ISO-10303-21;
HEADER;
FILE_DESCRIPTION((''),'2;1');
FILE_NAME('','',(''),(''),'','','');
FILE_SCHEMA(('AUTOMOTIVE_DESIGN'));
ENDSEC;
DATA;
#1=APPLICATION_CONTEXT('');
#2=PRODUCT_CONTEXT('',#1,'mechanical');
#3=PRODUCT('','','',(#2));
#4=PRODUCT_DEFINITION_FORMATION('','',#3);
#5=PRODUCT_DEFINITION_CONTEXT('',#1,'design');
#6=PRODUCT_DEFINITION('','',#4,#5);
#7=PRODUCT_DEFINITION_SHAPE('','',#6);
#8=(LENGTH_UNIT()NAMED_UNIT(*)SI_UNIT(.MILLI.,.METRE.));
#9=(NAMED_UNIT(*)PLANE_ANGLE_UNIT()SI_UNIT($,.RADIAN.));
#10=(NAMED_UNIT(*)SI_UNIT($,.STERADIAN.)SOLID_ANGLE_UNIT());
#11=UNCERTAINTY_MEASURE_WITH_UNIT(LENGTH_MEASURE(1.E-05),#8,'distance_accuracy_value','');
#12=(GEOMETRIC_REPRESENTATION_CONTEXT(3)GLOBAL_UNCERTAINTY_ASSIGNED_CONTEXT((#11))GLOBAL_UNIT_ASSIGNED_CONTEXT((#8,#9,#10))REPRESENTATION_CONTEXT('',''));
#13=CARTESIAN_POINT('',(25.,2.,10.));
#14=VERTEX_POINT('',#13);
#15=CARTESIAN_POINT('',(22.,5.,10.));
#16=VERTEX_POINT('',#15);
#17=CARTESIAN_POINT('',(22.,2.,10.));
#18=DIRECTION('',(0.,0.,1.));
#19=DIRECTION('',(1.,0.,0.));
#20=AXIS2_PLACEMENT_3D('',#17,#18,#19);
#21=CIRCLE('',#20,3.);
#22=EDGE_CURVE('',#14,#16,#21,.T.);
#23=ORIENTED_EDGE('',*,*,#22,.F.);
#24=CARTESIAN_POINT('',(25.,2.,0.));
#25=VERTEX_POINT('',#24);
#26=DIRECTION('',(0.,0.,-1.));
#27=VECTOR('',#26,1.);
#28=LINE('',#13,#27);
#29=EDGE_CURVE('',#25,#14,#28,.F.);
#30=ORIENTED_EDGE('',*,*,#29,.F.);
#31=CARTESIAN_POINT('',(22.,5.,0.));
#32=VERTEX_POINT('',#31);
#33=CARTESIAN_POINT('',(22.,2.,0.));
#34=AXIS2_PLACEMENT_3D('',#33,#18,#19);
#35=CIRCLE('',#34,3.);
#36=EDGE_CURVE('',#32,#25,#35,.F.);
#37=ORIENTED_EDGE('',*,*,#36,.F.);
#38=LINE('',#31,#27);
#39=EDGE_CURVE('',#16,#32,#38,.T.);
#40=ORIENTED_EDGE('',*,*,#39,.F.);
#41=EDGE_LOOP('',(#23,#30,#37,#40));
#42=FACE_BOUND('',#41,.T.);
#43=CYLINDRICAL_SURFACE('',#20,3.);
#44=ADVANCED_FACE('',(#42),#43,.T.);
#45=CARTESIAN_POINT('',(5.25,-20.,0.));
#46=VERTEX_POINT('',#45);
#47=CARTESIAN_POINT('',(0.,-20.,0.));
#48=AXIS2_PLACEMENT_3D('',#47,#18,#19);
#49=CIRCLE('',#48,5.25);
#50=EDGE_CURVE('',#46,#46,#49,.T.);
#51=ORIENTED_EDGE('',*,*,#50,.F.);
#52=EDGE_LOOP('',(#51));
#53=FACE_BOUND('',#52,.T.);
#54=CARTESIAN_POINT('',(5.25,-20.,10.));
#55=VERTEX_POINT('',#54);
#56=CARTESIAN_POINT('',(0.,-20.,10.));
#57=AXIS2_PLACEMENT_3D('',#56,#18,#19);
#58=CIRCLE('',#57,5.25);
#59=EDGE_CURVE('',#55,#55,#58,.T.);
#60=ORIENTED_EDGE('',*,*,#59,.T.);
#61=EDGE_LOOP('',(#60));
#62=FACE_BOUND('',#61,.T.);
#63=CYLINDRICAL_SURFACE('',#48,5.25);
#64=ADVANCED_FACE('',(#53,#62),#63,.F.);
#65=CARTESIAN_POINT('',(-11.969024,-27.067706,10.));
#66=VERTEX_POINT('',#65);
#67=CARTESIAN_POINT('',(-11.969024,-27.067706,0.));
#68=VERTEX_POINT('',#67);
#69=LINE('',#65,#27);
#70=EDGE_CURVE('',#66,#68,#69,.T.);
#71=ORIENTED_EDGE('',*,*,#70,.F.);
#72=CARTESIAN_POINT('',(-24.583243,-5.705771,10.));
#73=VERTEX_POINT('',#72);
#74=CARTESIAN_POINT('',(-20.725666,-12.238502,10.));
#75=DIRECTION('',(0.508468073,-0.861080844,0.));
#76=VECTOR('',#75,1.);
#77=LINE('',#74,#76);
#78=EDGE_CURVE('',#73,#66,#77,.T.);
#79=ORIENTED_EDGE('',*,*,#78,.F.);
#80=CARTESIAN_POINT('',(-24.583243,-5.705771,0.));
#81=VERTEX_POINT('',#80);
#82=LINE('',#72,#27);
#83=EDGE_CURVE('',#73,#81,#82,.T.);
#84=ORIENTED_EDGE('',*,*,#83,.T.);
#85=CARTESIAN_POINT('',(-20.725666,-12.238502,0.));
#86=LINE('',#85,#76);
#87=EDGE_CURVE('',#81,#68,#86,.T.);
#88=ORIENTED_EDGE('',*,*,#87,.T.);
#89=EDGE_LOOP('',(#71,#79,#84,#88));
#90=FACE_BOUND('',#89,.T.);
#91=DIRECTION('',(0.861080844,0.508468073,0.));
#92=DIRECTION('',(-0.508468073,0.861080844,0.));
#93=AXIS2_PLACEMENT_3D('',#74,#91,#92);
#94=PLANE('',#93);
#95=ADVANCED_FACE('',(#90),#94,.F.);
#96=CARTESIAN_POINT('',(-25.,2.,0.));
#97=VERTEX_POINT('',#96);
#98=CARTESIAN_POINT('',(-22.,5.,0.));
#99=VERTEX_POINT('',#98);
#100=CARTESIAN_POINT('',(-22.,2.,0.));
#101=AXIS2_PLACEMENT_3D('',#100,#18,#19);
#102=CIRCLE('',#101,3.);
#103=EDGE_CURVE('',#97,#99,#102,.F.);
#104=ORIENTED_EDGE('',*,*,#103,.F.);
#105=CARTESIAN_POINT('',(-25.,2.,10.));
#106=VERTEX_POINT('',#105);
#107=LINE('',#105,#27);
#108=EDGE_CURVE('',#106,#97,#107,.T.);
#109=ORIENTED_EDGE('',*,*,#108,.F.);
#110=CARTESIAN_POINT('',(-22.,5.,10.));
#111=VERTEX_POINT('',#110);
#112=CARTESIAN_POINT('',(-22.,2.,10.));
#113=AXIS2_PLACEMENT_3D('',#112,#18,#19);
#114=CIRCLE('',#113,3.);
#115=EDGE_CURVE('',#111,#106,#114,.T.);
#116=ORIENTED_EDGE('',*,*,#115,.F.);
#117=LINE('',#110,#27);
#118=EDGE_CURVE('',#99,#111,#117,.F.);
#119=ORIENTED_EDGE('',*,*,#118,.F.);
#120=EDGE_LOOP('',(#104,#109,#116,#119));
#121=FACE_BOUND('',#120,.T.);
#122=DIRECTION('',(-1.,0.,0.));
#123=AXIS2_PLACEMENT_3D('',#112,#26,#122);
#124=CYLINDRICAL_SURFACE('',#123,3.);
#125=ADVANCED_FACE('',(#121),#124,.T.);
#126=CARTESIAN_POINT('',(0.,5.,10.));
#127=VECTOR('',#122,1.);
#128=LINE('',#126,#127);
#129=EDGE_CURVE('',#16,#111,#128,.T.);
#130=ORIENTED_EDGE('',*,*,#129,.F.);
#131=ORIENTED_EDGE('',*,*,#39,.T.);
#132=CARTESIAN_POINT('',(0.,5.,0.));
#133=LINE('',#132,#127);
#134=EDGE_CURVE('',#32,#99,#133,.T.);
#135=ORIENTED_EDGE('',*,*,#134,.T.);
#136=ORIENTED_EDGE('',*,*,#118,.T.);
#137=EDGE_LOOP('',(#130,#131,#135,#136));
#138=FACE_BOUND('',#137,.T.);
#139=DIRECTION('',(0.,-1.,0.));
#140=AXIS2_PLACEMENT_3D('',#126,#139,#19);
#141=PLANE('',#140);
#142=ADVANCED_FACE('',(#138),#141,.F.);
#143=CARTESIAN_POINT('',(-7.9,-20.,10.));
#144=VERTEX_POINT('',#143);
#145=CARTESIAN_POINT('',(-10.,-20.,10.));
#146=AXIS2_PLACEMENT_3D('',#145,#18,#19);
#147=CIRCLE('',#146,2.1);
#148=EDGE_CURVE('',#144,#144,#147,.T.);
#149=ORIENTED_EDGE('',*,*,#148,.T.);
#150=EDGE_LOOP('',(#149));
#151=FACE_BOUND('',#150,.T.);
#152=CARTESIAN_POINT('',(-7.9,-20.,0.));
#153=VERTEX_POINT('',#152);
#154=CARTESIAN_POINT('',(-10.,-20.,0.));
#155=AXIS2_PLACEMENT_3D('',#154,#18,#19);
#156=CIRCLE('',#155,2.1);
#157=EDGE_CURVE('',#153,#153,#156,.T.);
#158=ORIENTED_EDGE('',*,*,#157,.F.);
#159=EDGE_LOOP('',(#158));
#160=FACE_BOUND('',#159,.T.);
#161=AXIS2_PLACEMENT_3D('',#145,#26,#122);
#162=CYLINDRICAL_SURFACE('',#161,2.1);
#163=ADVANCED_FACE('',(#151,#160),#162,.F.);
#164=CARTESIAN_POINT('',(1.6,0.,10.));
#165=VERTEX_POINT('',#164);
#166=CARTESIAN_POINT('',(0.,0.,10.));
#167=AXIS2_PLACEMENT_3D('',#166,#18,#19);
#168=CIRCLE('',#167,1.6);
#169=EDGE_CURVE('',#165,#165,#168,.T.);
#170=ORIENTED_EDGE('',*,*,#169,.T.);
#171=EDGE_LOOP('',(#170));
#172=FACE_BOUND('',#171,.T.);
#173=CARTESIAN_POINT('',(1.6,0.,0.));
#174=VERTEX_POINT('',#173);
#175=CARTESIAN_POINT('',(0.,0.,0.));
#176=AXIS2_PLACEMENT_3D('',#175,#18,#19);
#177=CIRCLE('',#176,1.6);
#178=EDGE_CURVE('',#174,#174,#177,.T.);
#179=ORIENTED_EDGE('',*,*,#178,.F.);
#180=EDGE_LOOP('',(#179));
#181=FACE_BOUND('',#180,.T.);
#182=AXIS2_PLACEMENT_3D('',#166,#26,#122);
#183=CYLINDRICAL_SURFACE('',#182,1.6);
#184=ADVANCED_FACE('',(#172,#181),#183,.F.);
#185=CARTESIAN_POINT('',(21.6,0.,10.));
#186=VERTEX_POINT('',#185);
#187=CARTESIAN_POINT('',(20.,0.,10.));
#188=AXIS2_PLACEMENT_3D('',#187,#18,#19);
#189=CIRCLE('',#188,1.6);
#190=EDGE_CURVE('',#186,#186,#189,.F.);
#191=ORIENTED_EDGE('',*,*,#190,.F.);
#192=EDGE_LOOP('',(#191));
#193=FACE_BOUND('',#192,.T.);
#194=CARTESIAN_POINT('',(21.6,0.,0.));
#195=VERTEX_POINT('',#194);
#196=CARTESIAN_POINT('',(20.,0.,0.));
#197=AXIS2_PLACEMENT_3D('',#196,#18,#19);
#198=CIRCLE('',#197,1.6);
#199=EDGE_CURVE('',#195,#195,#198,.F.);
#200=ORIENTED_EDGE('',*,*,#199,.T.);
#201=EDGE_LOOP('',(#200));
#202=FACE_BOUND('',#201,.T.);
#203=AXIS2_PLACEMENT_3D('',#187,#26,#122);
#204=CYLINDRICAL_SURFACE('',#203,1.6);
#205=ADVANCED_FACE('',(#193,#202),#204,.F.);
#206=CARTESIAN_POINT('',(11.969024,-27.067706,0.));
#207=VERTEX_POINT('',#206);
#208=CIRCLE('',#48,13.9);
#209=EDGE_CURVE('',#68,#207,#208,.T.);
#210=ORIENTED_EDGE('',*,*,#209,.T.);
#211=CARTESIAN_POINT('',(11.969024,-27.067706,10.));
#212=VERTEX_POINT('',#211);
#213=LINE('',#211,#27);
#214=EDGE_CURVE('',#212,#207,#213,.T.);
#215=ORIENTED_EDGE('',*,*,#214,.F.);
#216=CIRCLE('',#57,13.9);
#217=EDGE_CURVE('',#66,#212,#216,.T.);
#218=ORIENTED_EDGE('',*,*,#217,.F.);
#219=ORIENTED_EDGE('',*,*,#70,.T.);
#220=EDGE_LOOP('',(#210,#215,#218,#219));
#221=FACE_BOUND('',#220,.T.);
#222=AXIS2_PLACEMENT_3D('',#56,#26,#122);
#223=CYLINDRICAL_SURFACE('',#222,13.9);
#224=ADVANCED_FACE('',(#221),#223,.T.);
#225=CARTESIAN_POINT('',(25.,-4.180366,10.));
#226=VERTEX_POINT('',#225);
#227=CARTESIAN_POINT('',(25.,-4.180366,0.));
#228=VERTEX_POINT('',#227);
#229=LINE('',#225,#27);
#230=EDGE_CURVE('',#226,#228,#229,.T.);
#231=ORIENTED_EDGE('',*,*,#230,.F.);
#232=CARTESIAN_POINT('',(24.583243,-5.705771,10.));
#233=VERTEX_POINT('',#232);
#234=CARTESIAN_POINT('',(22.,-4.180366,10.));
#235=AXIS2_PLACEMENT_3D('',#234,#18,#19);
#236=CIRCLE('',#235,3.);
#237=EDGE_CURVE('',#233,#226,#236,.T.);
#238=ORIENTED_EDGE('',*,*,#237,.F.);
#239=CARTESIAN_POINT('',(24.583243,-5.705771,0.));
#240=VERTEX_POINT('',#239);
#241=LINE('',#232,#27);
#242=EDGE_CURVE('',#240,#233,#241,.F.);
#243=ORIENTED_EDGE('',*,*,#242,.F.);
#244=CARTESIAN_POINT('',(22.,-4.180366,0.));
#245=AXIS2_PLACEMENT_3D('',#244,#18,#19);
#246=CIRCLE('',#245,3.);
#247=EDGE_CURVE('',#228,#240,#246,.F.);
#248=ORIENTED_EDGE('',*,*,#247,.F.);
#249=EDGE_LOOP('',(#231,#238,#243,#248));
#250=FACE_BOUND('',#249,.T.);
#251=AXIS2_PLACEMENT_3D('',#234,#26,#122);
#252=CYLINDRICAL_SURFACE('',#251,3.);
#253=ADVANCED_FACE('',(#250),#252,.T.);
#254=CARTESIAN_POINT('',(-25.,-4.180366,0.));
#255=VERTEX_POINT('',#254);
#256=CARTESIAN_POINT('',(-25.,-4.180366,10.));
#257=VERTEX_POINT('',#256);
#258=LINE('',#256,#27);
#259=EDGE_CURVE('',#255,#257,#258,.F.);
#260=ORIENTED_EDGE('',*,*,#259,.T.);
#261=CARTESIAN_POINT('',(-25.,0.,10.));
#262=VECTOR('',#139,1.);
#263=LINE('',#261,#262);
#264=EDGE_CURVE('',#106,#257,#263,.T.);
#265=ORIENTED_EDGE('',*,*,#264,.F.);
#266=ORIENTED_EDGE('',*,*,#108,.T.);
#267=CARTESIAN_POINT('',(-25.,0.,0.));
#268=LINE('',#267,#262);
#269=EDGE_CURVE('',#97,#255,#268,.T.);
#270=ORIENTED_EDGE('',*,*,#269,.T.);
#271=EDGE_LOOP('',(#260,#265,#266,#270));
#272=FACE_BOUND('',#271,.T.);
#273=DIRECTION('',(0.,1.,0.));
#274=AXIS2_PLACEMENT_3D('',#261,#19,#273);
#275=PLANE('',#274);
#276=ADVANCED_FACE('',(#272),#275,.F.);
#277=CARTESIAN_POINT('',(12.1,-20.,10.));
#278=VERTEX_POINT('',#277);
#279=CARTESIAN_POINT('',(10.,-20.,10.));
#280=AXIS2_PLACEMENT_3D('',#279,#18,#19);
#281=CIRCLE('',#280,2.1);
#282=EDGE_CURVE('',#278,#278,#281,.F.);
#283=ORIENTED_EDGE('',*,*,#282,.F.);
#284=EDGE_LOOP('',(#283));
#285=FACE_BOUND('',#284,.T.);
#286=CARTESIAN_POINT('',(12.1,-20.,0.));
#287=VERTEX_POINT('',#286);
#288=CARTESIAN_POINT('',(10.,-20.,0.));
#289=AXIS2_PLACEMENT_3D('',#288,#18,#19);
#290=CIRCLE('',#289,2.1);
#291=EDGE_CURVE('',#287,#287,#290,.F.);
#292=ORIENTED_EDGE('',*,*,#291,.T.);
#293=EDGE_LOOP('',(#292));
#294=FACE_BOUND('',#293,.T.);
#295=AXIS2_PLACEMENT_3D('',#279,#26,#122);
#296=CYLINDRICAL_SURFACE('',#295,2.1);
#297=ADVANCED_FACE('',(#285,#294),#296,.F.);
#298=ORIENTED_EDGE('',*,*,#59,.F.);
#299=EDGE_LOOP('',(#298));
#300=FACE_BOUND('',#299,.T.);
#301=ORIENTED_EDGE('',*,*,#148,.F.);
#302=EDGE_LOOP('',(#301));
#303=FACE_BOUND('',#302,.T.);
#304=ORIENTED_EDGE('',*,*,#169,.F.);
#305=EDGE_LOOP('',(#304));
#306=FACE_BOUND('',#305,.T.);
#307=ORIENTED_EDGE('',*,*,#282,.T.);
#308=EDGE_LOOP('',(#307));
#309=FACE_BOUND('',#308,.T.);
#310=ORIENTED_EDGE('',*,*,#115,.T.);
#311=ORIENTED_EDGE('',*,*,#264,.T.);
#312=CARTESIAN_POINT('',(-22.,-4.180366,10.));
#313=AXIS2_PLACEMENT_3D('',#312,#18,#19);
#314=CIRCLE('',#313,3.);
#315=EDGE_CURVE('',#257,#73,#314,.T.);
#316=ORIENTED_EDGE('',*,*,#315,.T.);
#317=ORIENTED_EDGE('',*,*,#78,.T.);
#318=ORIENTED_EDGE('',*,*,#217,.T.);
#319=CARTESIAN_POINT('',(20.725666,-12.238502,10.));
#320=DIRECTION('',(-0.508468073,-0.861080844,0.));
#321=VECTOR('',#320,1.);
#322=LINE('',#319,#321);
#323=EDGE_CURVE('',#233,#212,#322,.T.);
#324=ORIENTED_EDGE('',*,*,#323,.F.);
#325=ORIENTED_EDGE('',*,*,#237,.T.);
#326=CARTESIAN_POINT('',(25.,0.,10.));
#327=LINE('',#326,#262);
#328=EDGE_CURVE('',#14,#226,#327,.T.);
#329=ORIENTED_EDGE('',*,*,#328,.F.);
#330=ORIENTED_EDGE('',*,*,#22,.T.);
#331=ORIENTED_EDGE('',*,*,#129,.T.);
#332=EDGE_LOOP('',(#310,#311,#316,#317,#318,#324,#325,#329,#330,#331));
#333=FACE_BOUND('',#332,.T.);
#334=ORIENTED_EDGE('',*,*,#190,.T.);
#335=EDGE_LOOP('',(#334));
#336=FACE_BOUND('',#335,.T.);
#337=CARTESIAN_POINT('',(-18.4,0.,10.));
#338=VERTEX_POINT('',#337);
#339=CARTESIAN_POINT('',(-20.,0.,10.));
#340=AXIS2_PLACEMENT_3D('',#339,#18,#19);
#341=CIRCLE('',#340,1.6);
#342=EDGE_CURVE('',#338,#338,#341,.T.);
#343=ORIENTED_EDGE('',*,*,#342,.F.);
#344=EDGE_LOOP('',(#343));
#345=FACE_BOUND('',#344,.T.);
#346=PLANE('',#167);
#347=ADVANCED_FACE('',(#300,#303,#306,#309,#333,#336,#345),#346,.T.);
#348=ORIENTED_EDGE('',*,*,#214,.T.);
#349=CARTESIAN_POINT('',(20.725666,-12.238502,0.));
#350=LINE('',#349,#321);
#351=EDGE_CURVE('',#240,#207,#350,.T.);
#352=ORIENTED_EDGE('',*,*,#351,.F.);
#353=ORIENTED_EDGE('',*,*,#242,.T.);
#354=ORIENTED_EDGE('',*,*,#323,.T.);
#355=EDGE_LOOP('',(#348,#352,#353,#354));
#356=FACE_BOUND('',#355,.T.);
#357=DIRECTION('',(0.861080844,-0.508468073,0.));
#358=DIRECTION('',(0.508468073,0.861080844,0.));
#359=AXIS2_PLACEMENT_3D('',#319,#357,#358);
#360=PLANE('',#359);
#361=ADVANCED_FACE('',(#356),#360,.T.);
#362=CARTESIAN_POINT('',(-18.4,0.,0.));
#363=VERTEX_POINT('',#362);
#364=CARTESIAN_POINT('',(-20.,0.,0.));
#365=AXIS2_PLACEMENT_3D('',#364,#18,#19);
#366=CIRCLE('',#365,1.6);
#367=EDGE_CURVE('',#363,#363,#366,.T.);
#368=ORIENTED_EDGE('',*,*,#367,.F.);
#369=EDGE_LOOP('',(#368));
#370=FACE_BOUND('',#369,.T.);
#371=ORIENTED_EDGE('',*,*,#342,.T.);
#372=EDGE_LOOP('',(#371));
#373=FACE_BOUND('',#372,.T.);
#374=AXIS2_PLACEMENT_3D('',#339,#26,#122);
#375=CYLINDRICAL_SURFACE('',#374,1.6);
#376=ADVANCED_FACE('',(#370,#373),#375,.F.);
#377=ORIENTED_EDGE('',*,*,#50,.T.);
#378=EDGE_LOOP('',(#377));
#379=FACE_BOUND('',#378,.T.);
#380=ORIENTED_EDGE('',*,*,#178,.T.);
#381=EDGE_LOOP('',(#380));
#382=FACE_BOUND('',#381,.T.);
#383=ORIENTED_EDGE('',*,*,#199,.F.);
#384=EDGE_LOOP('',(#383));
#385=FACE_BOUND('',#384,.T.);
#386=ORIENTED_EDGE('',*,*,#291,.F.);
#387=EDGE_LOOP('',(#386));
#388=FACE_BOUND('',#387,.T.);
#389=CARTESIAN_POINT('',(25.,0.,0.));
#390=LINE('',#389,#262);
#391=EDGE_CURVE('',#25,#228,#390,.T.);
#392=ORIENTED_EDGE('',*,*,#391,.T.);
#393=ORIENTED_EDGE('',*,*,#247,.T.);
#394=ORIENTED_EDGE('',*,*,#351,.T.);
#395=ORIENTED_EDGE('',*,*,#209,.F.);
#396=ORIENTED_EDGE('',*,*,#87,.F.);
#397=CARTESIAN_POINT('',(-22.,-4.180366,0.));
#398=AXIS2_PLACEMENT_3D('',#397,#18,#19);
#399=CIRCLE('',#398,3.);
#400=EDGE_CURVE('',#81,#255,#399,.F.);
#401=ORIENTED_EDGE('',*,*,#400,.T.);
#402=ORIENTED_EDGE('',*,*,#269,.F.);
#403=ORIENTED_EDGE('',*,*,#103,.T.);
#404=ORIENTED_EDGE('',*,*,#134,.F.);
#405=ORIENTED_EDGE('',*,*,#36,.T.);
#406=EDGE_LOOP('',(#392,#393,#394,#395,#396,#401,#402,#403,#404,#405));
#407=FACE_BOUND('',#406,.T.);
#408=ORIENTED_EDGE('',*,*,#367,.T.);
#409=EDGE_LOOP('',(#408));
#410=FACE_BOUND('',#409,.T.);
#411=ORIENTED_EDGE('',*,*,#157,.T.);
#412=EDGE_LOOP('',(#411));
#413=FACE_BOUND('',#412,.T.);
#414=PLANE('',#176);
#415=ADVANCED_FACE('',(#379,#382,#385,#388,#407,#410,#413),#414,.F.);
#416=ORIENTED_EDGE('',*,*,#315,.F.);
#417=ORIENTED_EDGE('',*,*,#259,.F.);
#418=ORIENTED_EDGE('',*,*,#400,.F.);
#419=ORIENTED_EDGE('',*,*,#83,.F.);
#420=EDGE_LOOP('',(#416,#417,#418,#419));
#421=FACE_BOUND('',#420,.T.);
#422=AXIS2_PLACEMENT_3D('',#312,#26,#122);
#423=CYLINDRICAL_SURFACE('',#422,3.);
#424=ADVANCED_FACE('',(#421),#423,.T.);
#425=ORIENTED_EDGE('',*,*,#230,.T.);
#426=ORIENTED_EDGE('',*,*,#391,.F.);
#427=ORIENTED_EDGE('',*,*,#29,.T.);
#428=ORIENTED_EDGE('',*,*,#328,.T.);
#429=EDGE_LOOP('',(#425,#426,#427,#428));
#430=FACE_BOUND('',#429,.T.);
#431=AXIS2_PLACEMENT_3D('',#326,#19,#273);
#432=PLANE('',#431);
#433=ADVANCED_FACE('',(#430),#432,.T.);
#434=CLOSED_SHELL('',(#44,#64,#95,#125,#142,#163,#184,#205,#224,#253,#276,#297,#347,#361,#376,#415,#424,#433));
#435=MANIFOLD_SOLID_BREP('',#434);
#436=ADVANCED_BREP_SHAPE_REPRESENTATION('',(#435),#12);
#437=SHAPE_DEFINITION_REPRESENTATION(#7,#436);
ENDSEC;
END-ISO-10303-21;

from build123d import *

# Parameters (mm, degrees)
SKETCH_1_R          = 13.9
SKETCH_1_R_2        = 2.1
SKETCH_1_W          = 50
SKETCH_1_H          = 10
SKETCH_1_R_3        = 1.6
EXTRUDE_1_DEPTH     = 10
FILLET_1_R          = 3
CUT_EXTRUDE_1_DEPTH = 10


with BuildPart() as part:
    # ｽｹｯﾁ1 → ﾎﾞｽ - 押し出し1 (new body)
    # profile 1 of 3: a face of its own
    with BuildSketch(Plane.XY):
        with Locations((0, -20)):
            Circle(SKETCH_1_R)
        with Locations((-10, -20)):
            Circle(SKETCH_1_R_2, mode=Mode.SUBTRACT)
        with Locations((10, -20)):
            Circle(SKETCH_1_R_2, mode=Mode.SUBTRACT)
    # profile 2 of 3: a face of its own
    with BuildSketch(Plane.XY):
        with BuildLine():
            Line((25, -5), (-25, -5))
            Line((-25, -5), (-11.969023725, -27.067706209))
            ThreePointArc((-11.969023725, -27.067706209), (-3.66337073, -6.591431288), (13.9, -20))
            ThreePointArc((13.9, -20), (13.408568712, -23.66337073), (11.969023725, -27.067706209))
            Line((11.969023725, -27.067706209), (25, -5))
        make_face()
    # profile 3 of 3: a face of its own
    with BuildSketch(Plane.XY):
        Rectangle(SKETCH_1_W, SKETCH_1_H)
        Circle(SKETCH_1_R_3, mode=Mode.SUBTRACT)
        with Locations((-20, 0)):
            Circle(SKETCH_1_R_3, mode=Mode.SUBTRACT)
        with Locations((20, 0)):
            Circle(SKETCH_1_R_3, mode=Mode.SUBTRACT)
    extrude(amount=EXTRUDE_1_DEPTH)

    # ﾌｨﾚｯﾄ1
    fillet_1_edges = [part.edges().sort_by_distance(p)[0] for p in [
        (-25, -5, 5),
        (-25, 5, 5),
        (25, 5, 5),
        (25, -5, 5),
    ]]
    fillet(fillet_1_edges, radius=FILLET_1_R)

    # ｽｹｯﾁ2 → ｶｯﾄ - 押し出し1 (cut)
    with BuildSketch(Plane.XY.offset(10)):
        with BuildLine():
            ThreePointArc((5.25, -20), (0, -14.75), (-5.25, -20))
            Line((-5.25, -20), (5.25, -20))
        make_face()
        with BuildLine():
            Line((5.25, -20), (-5.25, -20))
            ThreePointArc((-5.25, -20), (0, -25.25), (5.25, -20))
        make_face()
    extrude(amount=-CUT_EXTRUDE_1_DEPTH, mode=Mode.SUBTRACT)


solid = part.part
